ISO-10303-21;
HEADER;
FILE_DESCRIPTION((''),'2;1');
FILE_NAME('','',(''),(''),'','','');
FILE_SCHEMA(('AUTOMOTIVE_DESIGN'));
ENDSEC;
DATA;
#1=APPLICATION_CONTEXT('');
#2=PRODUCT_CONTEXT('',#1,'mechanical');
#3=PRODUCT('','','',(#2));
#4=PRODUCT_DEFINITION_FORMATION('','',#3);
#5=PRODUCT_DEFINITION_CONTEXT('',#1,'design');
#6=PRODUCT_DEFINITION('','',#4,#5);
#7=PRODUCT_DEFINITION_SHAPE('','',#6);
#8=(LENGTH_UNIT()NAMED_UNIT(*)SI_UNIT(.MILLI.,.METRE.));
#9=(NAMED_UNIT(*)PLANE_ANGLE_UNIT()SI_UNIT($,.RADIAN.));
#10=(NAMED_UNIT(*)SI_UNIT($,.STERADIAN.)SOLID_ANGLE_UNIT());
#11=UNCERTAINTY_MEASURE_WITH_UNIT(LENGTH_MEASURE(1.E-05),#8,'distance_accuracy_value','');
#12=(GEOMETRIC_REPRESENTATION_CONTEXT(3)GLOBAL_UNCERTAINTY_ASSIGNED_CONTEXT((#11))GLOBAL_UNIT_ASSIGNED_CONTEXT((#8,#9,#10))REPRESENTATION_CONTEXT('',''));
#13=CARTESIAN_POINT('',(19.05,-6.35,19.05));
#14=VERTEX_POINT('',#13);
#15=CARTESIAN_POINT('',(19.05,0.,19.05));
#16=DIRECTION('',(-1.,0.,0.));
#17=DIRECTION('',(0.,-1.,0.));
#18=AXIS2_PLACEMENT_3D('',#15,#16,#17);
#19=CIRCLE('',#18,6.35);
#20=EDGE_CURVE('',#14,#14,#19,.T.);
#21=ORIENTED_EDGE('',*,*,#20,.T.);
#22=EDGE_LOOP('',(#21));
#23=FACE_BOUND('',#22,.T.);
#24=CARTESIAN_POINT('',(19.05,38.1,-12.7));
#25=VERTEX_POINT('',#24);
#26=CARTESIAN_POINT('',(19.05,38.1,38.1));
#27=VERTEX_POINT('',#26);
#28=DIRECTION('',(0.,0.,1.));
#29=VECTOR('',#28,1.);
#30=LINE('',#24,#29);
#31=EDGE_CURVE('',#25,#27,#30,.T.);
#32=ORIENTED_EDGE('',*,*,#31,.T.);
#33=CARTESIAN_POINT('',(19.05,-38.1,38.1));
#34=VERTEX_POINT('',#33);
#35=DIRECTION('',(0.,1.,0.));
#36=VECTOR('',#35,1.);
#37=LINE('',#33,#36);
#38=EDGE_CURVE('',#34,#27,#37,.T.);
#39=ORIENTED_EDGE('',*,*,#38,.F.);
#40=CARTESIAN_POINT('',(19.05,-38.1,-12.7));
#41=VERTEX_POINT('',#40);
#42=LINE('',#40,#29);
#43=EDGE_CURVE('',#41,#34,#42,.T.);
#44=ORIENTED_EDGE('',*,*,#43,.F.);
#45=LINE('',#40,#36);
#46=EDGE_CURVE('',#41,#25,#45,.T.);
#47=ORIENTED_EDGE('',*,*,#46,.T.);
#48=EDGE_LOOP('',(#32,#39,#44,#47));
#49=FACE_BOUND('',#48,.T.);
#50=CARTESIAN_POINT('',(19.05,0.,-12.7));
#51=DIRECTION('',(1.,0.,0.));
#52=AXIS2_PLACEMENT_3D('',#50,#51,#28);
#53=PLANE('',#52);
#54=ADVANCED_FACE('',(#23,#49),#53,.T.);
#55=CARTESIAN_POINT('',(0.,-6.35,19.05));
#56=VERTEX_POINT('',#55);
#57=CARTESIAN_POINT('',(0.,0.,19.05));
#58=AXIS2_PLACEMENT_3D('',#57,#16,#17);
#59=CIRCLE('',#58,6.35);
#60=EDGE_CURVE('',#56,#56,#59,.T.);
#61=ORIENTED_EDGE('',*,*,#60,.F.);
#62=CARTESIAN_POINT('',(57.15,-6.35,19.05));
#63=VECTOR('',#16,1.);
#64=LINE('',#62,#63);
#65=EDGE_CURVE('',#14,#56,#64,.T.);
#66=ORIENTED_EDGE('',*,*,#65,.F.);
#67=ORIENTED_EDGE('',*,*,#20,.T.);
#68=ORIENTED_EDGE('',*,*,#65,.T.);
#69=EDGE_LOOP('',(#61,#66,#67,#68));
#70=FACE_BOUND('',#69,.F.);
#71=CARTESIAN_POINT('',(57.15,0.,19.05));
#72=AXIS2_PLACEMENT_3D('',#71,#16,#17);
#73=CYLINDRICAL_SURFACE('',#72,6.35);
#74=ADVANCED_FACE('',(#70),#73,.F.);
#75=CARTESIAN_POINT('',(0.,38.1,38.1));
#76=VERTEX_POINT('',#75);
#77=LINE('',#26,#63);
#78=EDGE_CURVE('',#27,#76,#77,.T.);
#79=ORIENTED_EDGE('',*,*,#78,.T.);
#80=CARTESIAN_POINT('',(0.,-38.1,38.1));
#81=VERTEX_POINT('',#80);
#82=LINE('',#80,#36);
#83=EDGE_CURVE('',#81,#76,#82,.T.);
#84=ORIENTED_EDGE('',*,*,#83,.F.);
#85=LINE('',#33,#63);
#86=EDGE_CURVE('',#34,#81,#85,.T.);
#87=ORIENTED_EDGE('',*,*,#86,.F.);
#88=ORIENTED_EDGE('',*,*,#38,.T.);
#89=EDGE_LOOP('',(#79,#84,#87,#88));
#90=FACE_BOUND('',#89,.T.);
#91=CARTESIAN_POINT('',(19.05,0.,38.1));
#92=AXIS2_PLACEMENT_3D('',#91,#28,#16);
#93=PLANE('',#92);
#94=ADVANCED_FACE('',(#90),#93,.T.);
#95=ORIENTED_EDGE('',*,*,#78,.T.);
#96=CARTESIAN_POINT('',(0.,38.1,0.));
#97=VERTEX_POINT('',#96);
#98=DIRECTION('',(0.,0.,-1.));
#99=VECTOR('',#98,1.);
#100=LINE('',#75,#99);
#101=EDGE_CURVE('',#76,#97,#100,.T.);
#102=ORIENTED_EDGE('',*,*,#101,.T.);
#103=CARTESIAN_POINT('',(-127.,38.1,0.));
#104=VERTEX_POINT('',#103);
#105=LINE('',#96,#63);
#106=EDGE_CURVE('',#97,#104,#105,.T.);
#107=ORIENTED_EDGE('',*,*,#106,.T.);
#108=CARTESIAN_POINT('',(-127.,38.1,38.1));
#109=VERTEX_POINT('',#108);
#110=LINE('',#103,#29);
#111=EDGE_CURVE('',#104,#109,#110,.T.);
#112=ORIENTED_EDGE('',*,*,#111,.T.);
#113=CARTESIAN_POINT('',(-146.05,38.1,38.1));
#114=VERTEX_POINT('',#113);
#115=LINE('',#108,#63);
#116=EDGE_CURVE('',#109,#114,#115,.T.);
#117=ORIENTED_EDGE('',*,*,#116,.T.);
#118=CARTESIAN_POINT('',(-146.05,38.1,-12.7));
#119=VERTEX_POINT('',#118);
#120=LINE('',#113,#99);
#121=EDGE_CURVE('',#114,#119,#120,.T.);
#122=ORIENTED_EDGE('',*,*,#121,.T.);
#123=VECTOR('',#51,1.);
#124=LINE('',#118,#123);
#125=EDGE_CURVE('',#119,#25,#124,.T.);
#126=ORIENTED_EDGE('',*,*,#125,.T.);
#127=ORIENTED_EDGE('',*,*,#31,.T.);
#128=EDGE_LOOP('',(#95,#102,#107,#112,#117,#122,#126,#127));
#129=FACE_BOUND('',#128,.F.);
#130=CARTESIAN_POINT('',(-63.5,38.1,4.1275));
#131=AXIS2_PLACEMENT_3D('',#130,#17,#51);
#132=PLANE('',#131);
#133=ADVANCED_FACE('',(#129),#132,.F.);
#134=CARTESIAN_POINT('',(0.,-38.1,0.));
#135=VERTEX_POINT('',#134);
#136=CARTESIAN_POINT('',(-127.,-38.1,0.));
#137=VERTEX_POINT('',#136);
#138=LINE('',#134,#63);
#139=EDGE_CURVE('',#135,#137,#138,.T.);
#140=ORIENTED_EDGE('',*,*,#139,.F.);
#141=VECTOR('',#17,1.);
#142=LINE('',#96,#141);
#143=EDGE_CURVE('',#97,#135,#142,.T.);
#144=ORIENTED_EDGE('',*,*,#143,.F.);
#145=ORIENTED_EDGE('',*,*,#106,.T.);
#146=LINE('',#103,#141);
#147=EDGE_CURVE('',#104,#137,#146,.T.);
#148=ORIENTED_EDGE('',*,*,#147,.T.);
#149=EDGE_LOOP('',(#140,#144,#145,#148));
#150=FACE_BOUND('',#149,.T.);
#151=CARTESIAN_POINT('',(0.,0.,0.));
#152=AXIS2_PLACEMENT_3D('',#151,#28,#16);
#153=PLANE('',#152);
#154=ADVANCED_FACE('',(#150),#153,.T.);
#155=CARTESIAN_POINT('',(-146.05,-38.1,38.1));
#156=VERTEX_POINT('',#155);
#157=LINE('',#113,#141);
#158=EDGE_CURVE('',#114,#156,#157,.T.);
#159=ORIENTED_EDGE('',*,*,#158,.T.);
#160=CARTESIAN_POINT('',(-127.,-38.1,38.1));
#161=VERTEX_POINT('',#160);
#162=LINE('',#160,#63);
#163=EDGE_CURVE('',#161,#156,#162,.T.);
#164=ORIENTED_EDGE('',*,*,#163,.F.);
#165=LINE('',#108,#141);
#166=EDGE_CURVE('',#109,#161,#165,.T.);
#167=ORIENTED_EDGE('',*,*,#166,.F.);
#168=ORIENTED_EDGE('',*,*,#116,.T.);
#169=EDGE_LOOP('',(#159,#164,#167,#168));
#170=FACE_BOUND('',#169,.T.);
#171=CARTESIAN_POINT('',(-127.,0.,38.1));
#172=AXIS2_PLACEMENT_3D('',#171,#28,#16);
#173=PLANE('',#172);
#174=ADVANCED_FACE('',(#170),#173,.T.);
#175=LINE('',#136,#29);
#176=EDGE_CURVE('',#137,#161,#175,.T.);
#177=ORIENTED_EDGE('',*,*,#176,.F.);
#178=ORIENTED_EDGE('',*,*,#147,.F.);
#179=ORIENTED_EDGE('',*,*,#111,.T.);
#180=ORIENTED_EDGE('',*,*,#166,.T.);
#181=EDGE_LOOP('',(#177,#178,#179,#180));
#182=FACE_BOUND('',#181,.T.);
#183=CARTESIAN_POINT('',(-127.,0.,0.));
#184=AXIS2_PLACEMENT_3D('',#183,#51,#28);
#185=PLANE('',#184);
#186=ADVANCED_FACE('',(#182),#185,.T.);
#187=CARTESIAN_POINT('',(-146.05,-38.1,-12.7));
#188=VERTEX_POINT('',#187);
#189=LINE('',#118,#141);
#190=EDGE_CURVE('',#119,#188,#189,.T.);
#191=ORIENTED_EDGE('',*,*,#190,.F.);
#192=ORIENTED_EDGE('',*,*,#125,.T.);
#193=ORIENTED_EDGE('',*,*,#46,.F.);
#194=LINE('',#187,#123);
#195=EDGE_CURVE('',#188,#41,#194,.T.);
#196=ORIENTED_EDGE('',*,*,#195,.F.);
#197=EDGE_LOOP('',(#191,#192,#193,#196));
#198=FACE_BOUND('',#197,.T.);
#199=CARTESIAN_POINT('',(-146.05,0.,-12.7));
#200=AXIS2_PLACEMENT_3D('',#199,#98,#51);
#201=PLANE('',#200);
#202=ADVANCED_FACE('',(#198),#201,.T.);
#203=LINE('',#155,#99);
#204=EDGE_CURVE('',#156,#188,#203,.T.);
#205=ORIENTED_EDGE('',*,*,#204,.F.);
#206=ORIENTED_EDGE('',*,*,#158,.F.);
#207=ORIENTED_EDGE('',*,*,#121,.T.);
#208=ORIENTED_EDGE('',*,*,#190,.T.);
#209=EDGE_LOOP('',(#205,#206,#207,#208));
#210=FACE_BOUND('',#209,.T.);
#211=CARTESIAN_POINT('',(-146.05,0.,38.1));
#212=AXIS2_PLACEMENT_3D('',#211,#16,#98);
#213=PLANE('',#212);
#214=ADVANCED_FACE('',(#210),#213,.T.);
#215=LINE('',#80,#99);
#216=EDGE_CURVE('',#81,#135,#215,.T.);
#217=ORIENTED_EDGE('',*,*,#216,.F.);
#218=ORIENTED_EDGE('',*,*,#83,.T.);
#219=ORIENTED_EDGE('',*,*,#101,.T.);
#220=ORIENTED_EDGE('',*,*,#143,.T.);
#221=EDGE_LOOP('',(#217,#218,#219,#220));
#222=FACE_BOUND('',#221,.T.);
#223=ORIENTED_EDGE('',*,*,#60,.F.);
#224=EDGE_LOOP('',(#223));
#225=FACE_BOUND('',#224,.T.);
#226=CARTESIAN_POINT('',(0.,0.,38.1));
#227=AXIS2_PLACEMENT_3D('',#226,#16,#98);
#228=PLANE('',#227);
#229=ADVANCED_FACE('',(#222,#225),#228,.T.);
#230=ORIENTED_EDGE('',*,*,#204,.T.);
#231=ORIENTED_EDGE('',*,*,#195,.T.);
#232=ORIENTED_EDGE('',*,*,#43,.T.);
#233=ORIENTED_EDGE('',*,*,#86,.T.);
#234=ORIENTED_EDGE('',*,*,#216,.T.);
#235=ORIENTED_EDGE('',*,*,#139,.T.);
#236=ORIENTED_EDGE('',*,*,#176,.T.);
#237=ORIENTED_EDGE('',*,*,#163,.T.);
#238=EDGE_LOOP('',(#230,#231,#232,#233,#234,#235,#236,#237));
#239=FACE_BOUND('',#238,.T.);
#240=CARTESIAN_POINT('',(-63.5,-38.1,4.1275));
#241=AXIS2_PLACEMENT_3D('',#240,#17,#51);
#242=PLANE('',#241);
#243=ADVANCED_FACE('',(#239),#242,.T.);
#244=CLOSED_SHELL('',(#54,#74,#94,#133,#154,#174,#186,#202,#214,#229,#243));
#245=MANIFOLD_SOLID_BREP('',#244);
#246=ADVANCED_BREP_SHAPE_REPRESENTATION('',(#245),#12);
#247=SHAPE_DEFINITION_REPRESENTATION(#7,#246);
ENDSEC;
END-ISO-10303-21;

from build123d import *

# Parameters (mm, degrees)
F1_DEPTH = 38.1
F3_D     = 12.7
F3_DEPTH = 38.1


with BuildPart() as f1:
    # F0 (on Front) → F1 (new body, symmetric)
    with BuildSketch(Plane.XZ):
        Polygon((0, 38.1), (0, 0), (-127, 0), (-127, 38.1), (-146.05, 38.1), (-146.05, -12.7), (19.05, -12.7), (19.05, 38.1), align=None)
    extrude(amount=F1_DEPTH, both=True)

    # F3
    with Locations(Plane.YZ.offset(19.05)):
        with Locations((0, 19.05)):
            Hole(F3_D / 2, depth=F3_DEPTH)


solid = f1.part
